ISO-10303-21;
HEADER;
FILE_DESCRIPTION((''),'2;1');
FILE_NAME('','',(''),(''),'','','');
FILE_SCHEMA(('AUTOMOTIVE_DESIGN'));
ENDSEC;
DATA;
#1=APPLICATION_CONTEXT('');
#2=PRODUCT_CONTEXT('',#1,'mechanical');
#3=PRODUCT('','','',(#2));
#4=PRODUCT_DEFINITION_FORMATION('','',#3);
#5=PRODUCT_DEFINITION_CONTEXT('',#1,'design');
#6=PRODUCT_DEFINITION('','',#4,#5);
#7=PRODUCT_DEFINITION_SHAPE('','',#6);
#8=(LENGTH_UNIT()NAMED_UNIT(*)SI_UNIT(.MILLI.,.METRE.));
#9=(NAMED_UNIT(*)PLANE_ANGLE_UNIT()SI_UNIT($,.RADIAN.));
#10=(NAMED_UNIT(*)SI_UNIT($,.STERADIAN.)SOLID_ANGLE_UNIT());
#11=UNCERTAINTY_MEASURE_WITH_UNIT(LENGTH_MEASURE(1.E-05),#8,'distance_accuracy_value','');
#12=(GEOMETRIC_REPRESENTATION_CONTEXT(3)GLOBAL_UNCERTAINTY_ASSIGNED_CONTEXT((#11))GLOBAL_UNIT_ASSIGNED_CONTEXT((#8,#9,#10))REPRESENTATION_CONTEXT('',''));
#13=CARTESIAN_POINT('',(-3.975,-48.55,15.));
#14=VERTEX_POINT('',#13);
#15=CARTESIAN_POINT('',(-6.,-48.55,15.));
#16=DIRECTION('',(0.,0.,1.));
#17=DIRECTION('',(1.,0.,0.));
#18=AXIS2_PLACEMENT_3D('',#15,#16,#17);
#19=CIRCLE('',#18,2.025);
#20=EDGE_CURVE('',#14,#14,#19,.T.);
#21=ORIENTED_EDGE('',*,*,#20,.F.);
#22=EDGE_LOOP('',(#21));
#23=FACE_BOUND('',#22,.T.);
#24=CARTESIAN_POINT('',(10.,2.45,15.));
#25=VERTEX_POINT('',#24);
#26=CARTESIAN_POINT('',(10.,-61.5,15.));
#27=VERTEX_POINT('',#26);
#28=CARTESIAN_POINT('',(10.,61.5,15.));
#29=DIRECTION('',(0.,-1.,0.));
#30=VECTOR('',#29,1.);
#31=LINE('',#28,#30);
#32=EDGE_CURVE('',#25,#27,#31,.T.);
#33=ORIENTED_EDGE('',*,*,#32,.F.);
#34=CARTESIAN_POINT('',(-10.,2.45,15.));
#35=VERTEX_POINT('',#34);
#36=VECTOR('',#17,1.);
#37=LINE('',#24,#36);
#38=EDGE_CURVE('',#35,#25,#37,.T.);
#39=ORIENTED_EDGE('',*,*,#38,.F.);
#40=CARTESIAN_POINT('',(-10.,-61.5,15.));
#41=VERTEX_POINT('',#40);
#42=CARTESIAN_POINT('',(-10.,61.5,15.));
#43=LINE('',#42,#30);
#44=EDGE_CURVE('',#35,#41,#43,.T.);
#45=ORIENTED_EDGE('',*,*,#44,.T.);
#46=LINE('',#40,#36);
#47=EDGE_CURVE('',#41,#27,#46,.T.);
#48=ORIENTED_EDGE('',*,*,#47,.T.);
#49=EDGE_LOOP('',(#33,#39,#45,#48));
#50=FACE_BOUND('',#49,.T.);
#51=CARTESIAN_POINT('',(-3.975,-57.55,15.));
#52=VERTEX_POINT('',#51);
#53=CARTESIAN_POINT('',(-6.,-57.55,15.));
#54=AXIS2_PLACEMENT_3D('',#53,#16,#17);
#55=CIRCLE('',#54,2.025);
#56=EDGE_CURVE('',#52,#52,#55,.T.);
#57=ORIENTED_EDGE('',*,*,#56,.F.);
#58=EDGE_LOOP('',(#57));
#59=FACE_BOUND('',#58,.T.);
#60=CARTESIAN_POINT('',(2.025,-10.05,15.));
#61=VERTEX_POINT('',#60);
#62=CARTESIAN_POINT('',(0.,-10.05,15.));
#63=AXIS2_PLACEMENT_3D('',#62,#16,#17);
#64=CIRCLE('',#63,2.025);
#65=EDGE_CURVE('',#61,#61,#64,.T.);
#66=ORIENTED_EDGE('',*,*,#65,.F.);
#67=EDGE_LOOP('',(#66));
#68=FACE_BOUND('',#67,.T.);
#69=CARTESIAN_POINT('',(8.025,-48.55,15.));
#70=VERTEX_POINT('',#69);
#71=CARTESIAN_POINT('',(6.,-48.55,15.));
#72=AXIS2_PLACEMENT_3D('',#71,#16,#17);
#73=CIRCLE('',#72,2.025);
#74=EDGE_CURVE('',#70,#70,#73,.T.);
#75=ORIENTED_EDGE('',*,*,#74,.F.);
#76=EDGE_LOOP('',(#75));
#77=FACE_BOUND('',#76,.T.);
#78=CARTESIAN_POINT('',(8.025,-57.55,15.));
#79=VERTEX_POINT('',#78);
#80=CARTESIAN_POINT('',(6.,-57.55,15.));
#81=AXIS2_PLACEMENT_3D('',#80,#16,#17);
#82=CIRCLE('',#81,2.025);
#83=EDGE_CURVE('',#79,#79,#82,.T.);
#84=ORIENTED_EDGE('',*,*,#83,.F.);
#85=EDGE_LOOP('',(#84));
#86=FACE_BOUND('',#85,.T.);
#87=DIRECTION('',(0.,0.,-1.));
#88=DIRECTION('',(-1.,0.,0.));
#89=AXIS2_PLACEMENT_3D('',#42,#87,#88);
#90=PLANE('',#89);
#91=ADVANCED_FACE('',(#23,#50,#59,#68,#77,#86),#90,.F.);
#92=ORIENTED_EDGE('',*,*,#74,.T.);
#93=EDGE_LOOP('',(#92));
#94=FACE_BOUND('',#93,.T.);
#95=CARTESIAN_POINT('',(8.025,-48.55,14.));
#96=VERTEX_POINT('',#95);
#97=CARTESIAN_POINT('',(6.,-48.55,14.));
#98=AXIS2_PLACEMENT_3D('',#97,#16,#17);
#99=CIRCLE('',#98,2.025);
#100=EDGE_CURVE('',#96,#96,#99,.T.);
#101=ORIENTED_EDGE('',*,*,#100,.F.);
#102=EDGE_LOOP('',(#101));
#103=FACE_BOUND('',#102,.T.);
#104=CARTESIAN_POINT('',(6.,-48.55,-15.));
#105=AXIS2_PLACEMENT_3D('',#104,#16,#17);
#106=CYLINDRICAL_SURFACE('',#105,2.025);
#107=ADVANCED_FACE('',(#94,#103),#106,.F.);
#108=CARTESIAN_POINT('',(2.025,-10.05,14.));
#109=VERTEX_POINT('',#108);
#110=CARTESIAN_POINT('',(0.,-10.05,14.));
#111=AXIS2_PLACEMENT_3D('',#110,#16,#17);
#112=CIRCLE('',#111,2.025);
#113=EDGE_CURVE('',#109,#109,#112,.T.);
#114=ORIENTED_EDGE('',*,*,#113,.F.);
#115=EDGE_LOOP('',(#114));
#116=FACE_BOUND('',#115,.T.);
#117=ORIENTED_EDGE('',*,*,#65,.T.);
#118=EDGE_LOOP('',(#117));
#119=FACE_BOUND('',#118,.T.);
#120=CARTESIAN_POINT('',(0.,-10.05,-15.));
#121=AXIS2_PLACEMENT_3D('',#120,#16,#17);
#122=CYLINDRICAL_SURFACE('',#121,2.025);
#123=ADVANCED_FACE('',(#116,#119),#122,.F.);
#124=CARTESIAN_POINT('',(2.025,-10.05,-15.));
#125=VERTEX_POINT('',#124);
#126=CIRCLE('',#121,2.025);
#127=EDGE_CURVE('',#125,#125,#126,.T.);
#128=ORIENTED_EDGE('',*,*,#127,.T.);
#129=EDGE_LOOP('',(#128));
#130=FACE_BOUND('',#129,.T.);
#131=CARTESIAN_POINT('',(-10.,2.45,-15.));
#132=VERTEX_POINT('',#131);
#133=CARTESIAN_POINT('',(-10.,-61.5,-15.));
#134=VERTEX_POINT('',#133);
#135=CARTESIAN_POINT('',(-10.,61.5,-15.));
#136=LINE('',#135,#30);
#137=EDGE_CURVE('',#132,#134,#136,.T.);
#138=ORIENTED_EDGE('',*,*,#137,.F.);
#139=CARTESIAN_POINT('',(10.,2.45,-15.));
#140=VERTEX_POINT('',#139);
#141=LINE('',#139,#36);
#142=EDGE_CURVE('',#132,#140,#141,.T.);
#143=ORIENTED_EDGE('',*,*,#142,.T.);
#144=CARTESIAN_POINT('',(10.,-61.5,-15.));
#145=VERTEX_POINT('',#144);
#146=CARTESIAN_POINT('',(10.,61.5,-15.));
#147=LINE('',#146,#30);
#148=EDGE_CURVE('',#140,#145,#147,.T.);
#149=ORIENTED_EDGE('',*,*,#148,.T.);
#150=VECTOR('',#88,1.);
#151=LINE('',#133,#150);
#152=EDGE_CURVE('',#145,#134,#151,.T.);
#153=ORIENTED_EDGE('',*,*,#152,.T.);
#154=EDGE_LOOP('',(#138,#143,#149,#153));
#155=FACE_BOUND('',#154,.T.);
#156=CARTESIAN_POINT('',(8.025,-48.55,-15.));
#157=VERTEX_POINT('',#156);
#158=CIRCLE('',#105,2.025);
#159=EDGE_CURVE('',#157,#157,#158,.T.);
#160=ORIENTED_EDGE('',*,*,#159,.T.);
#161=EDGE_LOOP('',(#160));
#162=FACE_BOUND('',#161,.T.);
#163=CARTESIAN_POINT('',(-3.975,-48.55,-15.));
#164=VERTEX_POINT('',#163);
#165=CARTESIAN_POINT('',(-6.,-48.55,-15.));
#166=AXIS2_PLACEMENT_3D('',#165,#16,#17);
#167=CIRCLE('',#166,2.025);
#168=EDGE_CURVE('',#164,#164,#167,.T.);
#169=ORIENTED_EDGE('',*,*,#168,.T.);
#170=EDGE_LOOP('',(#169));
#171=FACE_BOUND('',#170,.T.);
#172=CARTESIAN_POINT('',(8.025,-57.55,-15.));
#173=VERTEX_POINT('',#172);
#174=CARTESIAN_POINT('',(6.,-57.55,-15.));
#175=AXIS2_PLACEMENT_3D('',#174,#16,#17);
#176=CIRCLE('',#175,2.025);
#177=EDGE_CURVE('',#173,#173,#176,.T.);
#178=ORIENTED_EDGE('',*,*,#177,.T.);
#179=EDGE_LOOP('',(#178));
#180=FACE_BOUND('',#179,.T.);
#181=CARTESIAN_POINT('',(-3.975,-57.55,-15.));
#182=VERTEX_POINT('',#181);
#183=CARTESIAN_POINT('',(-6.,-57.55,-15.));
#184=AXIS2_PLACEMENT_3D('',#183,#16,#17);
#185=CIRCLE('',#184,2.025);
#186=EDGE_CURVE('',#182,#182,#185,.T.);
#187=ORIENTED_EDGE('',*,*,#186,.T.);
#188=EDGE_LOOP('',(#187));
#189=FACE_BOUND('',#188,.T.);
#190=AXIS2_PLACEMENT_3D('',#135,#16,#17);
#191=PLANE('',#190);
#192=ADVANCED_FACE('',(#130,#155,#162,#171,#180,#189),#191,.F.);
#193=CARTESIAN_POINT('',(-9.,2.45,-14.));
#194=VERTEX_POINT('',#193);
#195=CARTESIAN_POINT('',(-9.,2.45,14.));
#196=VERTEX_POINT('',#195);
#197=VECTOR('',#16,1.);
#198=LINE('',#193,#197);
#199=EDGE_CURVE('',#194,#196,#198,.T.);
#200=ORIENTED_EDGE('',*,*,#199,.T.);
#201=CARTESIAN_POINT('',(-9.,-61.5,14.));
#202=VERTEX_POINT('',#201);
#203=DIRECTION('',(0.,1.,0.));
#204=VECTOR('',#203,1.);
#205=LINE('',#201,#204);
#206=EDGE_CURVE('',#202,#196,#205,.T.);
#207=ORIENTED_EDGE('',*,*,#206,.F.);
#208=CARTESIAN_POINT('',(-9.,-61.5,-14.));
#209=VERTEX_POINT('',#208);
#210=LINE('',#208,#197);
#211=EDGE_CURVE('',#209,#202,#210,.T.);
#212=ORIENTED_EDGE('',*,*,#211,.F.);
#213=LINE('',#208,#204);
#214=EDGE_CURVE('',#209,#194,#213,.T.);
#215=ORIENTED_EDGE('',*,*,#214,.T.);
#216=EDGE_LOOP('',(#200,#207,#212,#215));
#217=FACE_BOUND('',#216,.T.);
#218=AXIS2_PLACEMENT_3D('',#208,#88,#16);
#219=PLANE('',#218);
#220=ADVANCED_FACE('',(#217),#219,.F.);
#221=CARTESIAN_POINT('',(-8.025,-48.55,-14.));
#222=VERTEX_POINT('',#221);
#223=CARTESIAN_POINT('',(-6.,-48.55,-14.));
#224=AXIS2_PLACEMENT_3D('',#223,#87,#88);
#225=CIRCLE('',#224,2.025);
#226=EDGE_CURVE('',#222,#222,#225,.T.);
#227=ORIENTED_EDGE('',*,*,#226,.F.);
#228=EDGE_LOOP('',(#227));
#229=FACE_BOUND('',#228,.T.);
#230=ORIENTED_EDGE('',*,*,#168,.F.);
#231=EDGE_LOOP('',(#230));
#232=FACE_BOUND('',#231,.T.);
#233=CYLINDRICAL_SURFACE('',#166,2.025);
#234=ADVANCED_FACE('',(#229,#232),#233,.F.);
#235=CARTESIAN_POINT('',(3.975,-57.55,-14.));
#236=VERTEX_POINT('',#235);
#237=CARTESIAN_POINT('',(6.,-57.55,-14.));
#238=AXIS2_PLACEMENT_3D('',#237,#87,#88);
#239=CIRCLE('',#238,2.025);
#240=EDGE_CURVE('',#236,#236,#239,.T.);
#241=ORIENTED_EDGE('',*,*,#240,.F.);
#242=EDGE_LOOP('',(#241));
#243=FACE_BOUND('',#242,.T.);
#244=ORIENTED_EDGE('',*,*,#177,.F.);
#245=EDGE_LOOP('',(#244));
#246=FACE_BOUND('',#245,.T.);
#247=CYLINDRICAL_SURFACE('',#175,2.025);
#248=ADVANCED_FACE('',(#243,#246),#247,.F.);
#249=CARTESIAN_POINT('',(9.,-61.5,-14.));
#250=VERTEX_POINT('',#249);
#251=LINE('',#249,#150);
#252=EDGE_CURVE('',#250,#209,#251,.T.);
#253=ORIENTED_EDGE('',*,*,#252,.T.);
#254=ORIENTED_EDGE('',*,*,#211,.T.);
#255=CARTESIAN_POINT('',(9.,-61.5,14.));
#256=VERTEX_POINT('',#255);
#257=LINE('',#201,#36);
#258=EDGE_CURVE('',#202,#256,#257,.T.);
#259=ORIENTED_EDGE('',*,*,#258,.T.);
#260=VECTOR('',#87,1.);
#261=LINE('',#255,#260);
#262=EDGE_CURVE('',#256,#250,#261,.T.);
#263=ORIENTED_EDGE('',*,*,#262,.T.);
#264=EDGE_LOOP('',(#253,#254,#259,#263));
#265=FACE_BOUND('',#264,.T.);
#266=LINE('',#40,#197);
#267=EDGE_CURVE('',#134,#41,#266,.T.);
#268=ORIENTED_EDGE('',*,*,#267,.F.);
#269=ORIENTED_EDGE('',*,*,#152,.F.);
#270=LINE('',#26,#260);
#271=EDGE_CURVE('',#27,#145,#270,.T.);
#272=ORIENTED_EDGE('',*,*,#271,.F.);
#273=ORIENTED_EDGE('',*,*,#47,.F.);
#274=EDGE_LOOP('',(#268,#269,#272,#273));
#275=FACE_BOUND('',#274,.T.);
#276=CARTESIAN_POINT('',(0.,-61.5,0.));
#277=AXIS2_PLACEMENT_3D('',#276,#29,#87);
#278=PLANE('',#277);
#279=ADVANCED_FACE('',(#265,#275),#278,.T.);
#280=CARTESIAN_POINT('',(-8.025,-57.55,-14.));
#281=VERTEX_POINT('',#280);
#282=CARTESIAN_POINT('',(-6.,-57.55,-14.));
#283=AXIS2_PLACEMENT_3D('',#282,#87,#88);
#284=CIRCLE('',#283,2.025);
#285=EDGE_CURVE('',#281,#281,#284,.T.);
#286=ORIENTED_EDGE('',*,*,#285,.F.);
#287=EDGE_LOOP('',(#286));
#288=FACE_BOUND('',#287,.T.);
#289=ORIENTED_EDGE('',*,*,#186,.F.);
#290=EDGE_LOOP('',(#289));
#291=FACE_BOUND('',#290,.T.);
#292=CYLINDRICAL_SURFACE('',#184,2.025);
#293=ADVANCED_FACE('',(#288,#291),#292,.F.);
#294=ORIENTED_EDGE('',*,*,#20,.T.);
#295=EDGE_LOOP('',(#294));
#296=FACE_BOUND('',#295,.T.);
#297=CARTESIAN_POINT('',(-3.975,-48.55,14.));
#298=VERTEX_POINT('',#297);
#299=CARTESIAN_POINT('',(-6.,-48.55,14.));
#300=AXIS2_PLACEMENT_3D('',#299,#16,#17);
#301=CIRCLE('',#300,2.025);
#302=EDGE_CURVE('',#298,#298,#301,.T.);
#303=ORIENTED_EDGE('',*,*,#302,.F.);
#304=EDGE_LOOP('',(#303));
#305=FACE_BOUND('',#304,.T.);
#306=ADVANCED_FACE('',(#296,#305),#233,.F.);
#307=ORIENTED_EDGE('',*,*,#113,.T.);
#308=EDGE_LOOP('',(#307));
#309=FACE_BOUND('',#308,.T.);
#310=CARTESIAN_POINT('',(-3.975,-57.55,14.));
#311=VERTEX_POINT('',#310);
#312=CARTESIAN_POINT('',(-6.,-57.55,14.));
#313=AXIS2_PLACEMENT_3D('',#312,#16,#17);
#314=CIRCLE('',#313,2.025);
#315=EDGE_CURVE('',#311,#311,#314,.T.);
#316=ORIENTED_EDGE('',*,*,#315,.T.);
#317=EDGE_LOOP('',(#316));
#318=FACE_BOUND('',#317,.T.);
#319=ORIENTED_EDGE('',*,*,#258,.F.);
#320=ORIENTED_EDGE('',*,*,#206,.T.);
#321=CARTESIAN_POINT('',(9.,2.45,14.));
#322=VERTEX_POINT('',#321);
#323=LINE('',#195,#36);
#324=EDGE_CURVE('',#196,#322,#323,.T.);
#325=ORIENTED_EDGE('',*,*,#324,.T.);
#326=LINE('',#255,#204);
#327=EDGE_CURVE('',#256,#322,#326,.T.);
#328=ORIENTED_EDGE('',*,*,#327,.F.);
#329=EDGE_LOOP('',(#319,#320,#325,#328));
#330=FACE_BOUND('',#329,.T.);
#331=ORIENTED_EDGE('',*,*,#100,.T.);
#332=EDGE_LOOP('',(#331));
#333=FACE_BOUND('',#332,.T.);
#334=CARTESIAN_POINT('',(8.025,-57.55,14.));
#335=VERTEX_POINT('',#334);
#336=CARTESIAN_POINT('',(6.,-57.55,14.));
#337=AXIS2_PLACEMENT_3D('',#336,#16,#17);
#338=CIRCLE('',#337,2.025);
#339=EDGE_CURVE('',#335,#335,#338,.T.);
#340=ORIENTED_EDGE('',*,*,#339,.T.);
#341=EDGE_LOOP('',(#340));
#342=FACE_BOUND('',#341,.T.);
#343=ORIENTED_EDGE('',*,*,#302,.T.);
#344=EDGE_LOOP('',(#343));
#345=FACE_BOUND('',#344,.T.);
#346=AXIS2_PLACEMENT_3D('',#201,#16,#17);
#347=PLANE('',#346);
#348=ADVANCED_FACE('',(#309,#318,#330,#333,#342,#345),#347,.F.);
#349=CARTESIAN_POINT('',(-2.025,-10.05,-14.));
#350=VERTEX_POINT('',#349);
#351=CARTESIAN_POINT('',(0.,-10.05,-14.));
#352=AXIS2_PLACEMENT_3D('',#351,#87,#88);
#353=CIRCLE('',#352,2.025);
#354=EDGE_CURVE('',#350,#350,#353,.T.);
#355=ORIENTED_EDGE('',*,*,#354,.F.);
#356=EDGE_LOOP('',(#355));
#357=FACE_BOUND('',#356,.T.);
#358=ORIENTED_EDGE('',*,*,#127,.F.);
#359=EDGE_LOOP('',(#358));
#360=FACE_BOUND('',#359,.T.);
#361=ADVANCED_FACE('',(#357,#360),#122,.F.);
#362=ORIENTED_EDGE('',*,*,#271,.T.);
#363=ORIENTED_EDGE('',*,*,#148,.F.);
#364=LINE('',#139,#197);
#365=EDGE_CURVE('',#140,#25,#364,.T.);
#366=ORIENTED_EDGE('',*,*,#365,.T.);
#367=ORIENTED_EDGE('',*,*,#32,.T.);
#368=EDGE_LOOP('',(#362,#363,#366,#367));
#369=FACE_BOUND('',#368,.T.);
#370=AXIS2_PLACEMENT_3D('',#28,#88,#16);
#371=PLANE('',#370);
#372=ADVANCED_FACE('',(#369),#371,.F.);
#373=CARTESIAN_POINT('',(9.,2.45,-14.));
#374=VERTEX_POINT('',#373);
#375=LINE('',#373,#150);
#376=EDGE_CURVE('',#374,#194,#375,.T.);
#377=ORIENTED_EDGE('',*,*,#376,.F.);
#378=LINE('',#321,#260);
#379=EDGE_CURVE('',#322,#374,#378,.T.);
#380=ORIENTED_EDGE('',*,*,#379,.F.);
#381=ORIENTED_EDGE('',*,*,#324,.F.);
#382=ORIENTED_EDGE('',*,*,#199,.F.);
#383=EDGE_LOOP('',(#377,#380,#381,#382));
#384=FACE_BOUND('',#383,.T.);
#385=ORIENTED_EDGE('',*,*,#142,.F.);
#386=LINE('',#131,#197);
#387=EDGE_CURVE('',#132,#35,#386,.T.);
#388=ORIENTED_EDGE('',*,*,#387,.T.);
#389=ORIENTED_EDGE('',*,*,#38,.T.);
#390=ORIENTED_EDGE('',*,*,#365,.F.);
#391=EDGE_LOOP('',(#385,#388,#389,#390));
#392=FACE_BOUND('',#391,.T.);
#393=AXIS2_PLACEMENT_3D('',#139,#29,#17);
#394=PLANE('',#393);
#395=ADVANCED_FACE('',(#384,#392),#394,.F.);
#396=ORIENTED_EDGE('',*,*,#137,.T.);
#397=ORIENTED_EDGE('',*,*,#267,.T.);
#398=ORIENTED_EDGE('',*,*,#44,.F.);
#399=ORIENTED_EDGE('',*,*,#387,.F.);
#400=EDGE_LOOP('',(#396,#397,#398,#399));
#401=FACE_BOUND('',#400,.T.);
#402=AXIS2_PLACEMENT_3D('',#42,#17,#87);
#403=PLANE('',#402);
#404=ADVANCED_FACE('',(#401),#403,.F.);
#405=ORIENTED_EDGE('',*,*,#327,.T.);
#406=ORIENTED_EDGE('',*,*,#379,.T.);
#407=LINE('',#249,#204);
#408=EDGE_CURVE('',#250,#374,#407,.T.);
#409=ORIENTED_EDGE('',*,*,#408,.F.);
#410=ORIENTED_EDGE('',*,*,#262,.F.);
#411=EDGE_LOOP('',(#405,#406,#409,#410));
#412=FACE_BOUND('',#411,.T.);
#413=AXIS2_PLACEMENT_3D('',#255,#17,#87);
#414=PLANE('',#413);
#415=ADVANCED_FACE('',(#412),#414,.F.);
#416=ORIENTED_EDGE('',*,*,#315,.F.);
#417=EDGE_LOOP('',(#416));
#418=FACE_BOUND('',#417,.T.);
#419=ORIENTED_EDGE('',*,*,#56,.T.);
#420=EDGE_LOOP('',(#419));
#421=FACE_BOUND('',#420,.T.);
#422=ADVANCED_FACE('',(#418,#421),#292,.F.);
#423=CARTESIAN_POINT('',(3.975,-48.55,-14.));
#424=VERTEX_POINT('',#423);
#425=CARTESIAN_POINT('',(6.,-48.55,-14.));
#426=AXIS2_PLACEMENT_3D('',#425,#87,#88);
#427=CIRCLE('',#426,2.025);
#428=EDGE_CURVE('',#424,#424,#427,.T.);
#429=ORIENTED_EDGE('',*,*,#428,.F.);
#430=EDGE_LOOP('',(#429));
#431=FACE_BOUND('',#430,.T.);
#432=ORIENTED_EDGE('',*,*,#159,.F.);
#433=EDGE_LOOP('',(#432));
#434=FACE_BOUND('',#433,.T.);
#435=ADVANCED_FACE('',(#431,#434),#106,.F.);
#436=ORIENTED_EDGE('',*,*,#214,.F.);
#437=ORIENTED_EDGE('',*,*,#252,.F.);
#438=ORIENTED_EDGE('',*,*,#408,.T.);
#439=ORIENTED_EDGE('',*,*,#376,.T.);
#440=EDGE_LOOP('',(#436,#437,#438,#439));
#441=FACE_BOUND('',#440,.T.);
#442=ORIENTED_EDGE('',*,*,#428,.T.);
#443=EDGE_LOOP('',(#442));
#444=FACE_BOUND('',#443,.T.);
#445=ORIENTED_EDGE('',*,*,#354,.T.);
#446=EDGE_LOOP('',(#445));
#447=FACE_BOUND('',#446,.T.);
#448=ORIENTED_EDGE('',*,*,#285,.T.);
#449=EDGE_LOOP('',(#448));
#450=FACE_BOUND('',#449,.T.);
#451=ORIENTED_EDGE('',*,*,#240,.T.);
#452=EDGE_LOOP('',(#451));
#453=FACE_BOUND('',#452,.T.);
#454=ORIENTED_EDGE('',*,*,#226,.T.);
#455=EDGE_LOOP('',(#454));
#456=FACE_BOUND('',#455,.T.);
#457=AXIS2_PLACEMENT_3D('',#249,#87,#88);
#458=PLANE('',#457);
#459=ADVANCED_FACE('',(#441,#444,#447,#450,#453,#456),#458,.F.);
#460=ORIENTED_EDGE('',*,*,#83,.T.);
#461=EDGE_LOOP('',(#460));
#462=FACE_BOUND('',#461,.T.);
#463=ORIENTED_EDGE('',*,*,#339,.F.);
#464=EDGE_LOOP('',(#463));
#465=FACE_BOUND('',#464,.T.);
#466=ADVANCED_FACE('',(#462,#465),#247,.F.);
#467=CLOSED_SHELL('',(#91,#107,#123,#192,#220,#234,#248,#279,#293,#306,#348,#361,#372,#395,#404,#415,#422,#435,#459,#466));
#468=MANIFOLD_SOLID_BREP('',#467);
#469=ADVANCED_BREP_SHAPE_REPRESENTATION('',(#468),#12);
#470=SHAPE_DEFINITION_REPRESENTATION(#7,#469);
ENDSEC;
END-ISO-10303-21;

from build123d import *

# Parameters (mm, degrees)
SKETCH_2_W               = 20
SKETCH_2_H               = 30
EXTRUDE_1_DEPTH          = 61.5
SKETCH_3_W               = 18
SKETCH_3_H               = 28
CUT_EXTRUDE_1_DEPTH      = 62.5
CUT_EXTRUDE_1_DEPTH_BACK = 62.5
SKETCH_4_W               = 30
SKETCH_4_H               = 45.05
CUT_EXTRUDE_2_DEPTH      = 21
SKETCH_5_R               = 2.025
CUT_EXTRUDE_3_DEPTH      = 31
SKETCH_6_W               = 20
SKETCH_6_H               = 14
CUT_EXTRUDE_4_DEPTH      = 1
CUT_EXTRUDE_4_DEPTH_BACK = 31
SKETCH_7_R               = 2.025
CUT_EXTRUDE_5_DEPTH      = 1
CUT_EXTRUDE_5_DEPTH_BACK = 31
SKETCH_8_R               = 2.025
CUT_EXTRUDE_6_DEPTH      = 31


with BuildPart() as part:
    # 草图2 → 凸台-拉伸1 (new body, symmetric)
    with BuildSketch(Plane(origin=(0, 0, 0), x_dir=(1, 0, 0), z_dir=(0, 1, 0))):
        Rectangle(SKETCH_2_W, SKETCH_2_H)
    extrude(amount=EXTRUDE_1_DEPTH, both=True)

    # 草图3 → 切除-拉伸1 (cut, two sides)
    with BuildSketch(Plane(origin=(0, 0, 0), x_dir=(1, 0, 0), z_dir=(0, 1, 0))) as cut_extrude_1_sk:
        Rectangle(SKETCH_3_W, SKETCH_3_H)
    extrude(amount=CUT_EXTRUDE_1_DEPTH, mode=Mode.SUBTRACT)
    extrude(cut_extrude_1_sk.sketch, amount=-CUT_EXTRUDE_1_DEPTH_BACK, mode=Mode.SUBTRACT)

    # 草图4 → 切除-拉伸2 (cut, through all)
    with BuildSketch(Plane.ZY.offset(10)):
        with Locations((0, 38.975)):
            Rectangle(SKETCH_4_W, SKETCH_4_H)
    extrude(amount=-CUT_EXTRUDE_2_DEPTH, mode=Mode.SUBTRACT)

    # 草图5 → 切除-拉伸3 (cut, through all)
    with BuildSketch(Plane.XY.offset(15)):
        with Locations((-6, -48.55)):
            Circle(SKETCH_5_R)
        with Locations((6, -48.55)):
            Circle(SKETCH_5_R)
    extrude(amount=-CUT_EXTRUDE_3_DEPTH, mode=Mode.SUBTRACT)

    # 草图6 → 切除-拉伸4 (cut, two sides)
    with BuildSketch(Plane.XY.offset(15)) as cut_extrude_4_sk:
        with Locations((0, 9.45)):
            Rectangle(SKETCH_6_W, SKETCH_6_H)
    extrude(amount=CUT_EXTRUDE_4_DEPTH, mode=Mode.SUBTRACT)
    extrude(cut_extrude_4_sk.sketch, amount=-CUT_EXTRUDE_4_DEPTH_BACK, mode=Mode.SUBTRACT)

    # 草图7 → 切除-拉伸5 (cut, two sides)
    with BuildSketch(Plane.XY.offset(15)) as cut_extrude_5_sk:
        with Locations((-6, -57.55)):
            Circle(SKETCH_7_R)
        with Locations((6, -57.55)):
            Circle(SKETCH_7_R)
    extrude(amount=CUT_EXTRUDE_5_DEPTH, mode=Mode.SUBTRACT)
    extrude(cut_extrude_5_sk.sketch, amount=-CUT_EXTRUDE_5_DEPTH_BACK, mode=Mode.SUBTRACT)

    # 草图8 → 切除-拉伸6 (cut, through all)
    with BuildSketch(Plane.XY.offset(15)):
        with Locations((0, -10.05)):
            Circle(SKETCH_8_R)
    extrude(amount=-CUT_EXTRUDE_6_DEPTH, mode=Mode.SUBTRACT)


solid = part.part
